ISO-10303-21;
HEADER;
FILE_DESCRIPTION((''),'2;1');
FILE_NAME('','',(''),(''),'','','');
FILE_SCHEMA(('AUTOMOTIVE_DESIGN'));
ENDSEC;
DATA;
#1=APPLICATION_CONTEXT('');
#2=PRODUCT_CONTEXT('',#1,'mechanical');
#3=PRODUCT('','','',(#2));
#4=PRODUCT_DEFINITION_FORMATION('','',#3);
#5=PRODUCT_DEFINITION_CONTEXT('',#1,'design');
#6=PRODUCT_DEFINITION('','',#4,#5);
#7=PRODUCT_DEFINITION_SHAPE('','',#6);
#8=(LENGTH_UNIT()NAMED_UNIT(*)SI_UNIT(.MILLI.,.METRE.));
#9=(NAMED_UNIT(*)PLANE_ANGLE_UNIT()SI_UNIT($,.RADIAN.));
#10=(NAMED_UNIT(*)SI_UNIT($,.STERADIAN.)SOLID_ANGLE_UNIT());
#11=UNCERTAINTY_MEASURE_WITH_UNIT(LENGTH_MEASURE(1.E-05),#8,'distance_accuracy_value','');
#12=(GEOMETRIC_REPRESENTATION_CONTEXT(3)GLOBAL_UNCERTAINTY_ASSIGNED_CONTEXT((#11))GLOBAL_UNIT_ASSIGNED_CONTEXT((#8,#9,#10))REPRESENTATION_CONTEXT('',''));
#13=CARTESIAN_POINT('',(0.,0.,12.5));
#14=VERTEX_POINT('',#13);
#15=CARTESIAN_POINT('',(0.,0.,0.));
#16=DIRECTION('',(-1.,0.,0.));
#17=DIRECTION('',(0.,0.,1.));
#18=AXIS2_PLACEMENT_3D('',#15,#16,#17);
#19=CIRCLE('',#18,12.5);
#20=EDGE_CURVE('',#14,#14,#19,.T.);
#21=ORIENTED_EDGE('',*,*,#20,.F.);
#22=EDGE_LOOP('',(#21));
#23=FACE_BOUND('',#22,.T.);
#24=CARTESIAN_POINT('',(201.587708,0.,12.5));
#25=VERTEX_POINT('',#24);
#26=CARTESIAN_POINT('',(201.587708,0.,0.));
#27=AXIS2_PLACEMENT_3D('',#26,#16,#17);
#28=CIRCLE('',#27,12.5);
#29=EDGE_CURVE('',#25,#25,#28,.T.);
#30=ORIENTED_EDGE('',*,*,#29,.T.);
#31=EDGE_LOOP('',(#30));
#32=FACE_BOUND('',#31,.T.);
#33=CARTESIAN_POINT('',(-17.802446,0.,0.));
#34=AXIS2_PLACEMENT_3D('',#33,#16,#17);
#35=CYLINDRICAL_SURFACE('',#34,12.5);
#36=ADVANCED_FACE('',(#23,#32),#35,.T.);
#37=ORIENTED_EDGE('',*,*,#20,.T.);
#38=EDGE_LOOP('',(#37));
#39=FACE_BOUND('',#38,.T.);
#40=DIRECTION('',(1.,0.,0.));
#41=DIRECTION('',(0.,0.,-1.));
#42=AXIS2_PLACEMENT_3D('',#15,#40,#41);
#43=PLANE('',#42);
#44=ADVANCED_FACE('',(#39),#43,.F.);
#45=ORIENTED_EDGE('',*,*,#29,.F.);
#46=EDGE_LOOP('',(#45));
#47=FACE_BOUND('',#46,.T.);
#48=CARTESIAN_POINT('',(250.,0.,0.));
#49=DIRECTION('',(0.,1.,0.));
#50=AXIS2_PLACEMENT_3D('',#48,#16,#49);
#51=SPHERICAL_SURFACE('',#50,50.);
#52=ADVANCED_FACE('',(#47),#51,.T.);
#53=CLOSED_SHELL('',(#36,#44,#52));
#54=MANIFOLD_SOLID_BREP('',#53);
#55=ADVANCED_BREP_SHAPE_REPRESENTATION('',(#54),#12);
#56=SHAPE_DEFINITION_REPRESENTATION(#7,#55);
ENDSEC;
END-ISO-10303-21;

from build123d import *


with BuildPart() as part:
    # Sketch1 → Revolve1 (revolve)
    with BuildSketch(Plane.XY, mode=Mode.PRIVATE) as revolve1_sk:
        with BuildLine():
            Line((0, 0), (300, 0))
            ThreePointArc((300, 0), (256.300214624, 49.601484813), (201.587708172, 12.5))
            Line((201.587708172, 12.5), (0, 12.5))
            Line((0, 12.5), (0, 0))
        make_face()
    revolve(revolve1_sk.sketch.rotate(Axis((-17.802445557, 0, 0), (1, 0, 0)), 90), axis=Axis((-17.802445557, 0, 0), (1, 0, 0)))


solid = part.part
